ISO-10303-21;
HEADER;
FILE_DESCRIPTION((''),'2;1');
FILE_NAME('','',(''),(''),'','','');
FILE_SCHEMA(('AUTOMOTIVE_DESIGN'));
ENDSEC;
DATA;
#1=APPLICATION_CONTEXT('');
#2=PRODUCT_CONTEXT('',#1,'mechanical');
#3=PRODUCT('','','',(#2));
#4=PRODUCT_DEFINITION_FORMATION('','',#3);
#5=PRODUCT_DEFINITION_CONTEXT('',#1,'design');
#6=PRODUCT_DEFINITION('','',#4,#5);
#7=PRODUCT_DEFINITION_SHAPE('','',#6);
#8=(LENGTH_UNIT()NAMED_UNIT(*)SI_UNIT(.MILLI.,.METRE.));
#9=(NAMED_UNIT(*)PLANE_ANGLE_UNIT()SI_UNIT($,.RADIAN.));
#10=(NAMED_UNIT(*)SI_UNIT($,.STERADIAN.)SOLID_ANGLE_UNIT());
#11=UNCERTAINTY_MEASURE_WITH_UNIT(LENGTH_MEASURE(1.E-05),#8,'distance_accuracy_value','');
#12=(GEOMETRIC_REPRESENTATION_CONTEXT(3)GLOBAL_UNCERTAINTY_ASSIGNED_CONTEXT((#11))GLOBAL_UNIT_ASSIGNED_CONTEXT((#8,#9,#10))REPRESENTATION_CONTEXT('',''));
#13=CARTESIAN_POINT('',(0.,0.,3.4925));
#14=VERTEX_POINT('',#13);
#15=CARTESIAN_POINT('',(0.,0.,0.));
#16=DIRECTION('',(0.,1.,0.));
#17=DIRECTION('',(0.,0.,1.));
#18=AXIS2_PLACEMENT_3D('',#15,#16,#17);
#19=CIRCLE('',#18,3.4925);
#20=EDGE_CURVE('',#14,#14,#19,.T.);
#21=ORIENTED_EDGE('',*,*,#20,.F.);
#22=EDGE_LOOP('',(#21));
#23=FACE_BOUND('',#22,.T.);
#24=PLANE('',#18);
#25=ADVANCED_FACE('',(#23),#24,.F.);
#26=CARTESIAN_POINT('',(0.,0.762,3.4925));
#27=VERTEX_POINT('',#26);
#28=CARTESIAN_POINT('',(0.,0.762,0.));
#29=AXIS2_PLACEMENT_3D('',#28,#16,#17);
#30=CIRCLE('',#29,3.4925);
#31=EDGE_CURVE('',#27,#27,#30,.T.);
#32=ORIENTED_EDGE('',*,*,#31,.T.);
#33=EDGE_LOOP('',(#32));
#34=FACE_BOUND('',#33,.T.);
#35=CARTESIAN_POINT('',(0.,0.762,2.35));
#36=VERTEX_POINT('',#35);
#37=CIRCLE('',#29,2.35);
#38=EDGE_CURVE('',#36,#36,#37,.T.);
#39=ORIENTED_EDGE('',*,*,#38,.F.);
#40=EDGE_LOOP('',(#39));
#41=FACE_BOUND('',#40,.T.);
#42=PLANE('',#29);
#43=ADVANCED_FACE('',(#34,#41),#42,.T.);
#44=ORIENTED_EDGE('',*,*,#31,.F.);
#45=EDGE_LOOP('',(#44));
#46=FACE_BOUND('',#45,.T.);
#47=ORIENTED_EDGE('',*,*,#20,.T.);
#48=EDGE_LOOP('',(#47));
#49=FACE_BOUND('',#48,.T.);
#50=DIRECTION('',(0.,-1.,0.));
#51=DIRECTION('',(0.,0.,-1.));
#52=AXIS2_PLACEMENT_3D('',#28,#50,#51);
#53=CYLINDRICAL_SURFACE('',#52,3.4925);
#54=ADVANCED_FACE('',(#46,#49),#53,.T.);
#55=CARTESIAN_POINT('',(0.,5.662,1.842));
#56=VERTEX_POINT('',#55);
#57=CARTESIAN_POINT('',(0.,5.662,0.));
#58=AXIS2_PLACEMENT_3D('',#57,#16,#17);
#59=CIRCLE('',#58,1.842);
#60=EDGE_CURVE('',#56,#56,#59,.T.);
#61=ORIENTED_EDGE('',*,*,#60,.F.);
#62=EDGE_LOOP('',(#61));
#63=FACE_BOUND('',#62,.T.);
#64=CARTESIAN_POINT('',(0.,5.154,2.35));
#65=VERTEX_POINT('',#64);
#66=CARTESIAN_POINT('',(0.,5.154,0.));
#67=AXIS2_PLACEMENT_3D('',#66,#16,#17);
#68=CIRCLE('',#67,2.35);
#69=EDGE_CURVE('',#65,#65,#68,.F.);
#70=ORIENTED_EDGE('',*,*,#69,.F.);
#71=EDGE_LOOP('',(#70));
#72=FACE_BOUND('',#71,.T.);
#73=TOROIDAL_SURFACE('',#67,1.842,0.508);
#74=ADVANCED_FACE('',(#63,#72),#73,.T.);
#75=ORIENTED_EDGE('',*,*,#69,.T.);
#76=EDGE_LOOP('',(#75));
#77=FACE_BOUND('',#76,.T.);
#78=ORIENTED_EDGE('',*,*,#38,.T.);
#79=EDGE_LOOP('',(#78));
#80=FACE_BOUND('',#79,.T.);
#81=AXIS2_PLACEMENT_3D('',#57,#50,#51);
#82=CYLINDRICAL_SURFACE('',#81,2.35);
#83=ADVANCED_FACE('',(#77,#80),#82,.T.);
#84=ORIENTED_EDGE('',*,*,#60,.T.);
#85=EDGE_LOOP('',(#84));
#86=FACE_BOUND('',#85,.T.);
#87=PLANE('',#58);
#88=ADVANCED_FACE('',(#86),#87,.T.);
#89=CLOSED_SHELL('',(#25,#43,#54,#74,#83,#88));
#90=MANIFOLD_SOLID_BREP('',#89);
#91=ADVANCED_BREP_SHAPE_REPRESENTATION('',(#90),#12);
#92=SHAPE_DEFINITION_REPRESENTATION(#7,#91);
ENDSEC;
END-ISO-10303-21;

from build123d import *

# Parameters (mm, degrees)
SKETCH1_R           = 3.4925
BOSS_EXTRUDE1_DEPTH = 0.762
SKETCH2_R           = 2.35
BOSS_EXTRUDE2_DEPTH = 4.9
FILLET1_R           = 0.508


with BuildPart() as part:
    # Sketch1 → Boss-Extrude1 (new body)
    with BuildSketch(Plane(origin=(0, 0, 0), x_dir=(1, 0, 0), z_dir=(0, 1, 0))):
        Circle(SKETCH1_R)
    extrude(amount=BOSS_EXTRUDE1_DEPTH)

    # Sketch2 → Boss-Extrude2 (add)
    with BuildSketch(Plane(origin=(0, 0.762, 0), x_dir=(1, 0, 0), z_dir=(0, 1, 0))):
        Circle(SKETCH2_R)
    extrude(amount=BOSS_EXTRUDE2_DEPTH)

    # Fillet1
    fillet1_edges = [part.edges().sort_by_distance(p)[0] for p in [
        (-2.35, 5.662, 0),
    ]]
    fillet(fillet1_edges, radius=FILLET1_R)


solid = part.part
